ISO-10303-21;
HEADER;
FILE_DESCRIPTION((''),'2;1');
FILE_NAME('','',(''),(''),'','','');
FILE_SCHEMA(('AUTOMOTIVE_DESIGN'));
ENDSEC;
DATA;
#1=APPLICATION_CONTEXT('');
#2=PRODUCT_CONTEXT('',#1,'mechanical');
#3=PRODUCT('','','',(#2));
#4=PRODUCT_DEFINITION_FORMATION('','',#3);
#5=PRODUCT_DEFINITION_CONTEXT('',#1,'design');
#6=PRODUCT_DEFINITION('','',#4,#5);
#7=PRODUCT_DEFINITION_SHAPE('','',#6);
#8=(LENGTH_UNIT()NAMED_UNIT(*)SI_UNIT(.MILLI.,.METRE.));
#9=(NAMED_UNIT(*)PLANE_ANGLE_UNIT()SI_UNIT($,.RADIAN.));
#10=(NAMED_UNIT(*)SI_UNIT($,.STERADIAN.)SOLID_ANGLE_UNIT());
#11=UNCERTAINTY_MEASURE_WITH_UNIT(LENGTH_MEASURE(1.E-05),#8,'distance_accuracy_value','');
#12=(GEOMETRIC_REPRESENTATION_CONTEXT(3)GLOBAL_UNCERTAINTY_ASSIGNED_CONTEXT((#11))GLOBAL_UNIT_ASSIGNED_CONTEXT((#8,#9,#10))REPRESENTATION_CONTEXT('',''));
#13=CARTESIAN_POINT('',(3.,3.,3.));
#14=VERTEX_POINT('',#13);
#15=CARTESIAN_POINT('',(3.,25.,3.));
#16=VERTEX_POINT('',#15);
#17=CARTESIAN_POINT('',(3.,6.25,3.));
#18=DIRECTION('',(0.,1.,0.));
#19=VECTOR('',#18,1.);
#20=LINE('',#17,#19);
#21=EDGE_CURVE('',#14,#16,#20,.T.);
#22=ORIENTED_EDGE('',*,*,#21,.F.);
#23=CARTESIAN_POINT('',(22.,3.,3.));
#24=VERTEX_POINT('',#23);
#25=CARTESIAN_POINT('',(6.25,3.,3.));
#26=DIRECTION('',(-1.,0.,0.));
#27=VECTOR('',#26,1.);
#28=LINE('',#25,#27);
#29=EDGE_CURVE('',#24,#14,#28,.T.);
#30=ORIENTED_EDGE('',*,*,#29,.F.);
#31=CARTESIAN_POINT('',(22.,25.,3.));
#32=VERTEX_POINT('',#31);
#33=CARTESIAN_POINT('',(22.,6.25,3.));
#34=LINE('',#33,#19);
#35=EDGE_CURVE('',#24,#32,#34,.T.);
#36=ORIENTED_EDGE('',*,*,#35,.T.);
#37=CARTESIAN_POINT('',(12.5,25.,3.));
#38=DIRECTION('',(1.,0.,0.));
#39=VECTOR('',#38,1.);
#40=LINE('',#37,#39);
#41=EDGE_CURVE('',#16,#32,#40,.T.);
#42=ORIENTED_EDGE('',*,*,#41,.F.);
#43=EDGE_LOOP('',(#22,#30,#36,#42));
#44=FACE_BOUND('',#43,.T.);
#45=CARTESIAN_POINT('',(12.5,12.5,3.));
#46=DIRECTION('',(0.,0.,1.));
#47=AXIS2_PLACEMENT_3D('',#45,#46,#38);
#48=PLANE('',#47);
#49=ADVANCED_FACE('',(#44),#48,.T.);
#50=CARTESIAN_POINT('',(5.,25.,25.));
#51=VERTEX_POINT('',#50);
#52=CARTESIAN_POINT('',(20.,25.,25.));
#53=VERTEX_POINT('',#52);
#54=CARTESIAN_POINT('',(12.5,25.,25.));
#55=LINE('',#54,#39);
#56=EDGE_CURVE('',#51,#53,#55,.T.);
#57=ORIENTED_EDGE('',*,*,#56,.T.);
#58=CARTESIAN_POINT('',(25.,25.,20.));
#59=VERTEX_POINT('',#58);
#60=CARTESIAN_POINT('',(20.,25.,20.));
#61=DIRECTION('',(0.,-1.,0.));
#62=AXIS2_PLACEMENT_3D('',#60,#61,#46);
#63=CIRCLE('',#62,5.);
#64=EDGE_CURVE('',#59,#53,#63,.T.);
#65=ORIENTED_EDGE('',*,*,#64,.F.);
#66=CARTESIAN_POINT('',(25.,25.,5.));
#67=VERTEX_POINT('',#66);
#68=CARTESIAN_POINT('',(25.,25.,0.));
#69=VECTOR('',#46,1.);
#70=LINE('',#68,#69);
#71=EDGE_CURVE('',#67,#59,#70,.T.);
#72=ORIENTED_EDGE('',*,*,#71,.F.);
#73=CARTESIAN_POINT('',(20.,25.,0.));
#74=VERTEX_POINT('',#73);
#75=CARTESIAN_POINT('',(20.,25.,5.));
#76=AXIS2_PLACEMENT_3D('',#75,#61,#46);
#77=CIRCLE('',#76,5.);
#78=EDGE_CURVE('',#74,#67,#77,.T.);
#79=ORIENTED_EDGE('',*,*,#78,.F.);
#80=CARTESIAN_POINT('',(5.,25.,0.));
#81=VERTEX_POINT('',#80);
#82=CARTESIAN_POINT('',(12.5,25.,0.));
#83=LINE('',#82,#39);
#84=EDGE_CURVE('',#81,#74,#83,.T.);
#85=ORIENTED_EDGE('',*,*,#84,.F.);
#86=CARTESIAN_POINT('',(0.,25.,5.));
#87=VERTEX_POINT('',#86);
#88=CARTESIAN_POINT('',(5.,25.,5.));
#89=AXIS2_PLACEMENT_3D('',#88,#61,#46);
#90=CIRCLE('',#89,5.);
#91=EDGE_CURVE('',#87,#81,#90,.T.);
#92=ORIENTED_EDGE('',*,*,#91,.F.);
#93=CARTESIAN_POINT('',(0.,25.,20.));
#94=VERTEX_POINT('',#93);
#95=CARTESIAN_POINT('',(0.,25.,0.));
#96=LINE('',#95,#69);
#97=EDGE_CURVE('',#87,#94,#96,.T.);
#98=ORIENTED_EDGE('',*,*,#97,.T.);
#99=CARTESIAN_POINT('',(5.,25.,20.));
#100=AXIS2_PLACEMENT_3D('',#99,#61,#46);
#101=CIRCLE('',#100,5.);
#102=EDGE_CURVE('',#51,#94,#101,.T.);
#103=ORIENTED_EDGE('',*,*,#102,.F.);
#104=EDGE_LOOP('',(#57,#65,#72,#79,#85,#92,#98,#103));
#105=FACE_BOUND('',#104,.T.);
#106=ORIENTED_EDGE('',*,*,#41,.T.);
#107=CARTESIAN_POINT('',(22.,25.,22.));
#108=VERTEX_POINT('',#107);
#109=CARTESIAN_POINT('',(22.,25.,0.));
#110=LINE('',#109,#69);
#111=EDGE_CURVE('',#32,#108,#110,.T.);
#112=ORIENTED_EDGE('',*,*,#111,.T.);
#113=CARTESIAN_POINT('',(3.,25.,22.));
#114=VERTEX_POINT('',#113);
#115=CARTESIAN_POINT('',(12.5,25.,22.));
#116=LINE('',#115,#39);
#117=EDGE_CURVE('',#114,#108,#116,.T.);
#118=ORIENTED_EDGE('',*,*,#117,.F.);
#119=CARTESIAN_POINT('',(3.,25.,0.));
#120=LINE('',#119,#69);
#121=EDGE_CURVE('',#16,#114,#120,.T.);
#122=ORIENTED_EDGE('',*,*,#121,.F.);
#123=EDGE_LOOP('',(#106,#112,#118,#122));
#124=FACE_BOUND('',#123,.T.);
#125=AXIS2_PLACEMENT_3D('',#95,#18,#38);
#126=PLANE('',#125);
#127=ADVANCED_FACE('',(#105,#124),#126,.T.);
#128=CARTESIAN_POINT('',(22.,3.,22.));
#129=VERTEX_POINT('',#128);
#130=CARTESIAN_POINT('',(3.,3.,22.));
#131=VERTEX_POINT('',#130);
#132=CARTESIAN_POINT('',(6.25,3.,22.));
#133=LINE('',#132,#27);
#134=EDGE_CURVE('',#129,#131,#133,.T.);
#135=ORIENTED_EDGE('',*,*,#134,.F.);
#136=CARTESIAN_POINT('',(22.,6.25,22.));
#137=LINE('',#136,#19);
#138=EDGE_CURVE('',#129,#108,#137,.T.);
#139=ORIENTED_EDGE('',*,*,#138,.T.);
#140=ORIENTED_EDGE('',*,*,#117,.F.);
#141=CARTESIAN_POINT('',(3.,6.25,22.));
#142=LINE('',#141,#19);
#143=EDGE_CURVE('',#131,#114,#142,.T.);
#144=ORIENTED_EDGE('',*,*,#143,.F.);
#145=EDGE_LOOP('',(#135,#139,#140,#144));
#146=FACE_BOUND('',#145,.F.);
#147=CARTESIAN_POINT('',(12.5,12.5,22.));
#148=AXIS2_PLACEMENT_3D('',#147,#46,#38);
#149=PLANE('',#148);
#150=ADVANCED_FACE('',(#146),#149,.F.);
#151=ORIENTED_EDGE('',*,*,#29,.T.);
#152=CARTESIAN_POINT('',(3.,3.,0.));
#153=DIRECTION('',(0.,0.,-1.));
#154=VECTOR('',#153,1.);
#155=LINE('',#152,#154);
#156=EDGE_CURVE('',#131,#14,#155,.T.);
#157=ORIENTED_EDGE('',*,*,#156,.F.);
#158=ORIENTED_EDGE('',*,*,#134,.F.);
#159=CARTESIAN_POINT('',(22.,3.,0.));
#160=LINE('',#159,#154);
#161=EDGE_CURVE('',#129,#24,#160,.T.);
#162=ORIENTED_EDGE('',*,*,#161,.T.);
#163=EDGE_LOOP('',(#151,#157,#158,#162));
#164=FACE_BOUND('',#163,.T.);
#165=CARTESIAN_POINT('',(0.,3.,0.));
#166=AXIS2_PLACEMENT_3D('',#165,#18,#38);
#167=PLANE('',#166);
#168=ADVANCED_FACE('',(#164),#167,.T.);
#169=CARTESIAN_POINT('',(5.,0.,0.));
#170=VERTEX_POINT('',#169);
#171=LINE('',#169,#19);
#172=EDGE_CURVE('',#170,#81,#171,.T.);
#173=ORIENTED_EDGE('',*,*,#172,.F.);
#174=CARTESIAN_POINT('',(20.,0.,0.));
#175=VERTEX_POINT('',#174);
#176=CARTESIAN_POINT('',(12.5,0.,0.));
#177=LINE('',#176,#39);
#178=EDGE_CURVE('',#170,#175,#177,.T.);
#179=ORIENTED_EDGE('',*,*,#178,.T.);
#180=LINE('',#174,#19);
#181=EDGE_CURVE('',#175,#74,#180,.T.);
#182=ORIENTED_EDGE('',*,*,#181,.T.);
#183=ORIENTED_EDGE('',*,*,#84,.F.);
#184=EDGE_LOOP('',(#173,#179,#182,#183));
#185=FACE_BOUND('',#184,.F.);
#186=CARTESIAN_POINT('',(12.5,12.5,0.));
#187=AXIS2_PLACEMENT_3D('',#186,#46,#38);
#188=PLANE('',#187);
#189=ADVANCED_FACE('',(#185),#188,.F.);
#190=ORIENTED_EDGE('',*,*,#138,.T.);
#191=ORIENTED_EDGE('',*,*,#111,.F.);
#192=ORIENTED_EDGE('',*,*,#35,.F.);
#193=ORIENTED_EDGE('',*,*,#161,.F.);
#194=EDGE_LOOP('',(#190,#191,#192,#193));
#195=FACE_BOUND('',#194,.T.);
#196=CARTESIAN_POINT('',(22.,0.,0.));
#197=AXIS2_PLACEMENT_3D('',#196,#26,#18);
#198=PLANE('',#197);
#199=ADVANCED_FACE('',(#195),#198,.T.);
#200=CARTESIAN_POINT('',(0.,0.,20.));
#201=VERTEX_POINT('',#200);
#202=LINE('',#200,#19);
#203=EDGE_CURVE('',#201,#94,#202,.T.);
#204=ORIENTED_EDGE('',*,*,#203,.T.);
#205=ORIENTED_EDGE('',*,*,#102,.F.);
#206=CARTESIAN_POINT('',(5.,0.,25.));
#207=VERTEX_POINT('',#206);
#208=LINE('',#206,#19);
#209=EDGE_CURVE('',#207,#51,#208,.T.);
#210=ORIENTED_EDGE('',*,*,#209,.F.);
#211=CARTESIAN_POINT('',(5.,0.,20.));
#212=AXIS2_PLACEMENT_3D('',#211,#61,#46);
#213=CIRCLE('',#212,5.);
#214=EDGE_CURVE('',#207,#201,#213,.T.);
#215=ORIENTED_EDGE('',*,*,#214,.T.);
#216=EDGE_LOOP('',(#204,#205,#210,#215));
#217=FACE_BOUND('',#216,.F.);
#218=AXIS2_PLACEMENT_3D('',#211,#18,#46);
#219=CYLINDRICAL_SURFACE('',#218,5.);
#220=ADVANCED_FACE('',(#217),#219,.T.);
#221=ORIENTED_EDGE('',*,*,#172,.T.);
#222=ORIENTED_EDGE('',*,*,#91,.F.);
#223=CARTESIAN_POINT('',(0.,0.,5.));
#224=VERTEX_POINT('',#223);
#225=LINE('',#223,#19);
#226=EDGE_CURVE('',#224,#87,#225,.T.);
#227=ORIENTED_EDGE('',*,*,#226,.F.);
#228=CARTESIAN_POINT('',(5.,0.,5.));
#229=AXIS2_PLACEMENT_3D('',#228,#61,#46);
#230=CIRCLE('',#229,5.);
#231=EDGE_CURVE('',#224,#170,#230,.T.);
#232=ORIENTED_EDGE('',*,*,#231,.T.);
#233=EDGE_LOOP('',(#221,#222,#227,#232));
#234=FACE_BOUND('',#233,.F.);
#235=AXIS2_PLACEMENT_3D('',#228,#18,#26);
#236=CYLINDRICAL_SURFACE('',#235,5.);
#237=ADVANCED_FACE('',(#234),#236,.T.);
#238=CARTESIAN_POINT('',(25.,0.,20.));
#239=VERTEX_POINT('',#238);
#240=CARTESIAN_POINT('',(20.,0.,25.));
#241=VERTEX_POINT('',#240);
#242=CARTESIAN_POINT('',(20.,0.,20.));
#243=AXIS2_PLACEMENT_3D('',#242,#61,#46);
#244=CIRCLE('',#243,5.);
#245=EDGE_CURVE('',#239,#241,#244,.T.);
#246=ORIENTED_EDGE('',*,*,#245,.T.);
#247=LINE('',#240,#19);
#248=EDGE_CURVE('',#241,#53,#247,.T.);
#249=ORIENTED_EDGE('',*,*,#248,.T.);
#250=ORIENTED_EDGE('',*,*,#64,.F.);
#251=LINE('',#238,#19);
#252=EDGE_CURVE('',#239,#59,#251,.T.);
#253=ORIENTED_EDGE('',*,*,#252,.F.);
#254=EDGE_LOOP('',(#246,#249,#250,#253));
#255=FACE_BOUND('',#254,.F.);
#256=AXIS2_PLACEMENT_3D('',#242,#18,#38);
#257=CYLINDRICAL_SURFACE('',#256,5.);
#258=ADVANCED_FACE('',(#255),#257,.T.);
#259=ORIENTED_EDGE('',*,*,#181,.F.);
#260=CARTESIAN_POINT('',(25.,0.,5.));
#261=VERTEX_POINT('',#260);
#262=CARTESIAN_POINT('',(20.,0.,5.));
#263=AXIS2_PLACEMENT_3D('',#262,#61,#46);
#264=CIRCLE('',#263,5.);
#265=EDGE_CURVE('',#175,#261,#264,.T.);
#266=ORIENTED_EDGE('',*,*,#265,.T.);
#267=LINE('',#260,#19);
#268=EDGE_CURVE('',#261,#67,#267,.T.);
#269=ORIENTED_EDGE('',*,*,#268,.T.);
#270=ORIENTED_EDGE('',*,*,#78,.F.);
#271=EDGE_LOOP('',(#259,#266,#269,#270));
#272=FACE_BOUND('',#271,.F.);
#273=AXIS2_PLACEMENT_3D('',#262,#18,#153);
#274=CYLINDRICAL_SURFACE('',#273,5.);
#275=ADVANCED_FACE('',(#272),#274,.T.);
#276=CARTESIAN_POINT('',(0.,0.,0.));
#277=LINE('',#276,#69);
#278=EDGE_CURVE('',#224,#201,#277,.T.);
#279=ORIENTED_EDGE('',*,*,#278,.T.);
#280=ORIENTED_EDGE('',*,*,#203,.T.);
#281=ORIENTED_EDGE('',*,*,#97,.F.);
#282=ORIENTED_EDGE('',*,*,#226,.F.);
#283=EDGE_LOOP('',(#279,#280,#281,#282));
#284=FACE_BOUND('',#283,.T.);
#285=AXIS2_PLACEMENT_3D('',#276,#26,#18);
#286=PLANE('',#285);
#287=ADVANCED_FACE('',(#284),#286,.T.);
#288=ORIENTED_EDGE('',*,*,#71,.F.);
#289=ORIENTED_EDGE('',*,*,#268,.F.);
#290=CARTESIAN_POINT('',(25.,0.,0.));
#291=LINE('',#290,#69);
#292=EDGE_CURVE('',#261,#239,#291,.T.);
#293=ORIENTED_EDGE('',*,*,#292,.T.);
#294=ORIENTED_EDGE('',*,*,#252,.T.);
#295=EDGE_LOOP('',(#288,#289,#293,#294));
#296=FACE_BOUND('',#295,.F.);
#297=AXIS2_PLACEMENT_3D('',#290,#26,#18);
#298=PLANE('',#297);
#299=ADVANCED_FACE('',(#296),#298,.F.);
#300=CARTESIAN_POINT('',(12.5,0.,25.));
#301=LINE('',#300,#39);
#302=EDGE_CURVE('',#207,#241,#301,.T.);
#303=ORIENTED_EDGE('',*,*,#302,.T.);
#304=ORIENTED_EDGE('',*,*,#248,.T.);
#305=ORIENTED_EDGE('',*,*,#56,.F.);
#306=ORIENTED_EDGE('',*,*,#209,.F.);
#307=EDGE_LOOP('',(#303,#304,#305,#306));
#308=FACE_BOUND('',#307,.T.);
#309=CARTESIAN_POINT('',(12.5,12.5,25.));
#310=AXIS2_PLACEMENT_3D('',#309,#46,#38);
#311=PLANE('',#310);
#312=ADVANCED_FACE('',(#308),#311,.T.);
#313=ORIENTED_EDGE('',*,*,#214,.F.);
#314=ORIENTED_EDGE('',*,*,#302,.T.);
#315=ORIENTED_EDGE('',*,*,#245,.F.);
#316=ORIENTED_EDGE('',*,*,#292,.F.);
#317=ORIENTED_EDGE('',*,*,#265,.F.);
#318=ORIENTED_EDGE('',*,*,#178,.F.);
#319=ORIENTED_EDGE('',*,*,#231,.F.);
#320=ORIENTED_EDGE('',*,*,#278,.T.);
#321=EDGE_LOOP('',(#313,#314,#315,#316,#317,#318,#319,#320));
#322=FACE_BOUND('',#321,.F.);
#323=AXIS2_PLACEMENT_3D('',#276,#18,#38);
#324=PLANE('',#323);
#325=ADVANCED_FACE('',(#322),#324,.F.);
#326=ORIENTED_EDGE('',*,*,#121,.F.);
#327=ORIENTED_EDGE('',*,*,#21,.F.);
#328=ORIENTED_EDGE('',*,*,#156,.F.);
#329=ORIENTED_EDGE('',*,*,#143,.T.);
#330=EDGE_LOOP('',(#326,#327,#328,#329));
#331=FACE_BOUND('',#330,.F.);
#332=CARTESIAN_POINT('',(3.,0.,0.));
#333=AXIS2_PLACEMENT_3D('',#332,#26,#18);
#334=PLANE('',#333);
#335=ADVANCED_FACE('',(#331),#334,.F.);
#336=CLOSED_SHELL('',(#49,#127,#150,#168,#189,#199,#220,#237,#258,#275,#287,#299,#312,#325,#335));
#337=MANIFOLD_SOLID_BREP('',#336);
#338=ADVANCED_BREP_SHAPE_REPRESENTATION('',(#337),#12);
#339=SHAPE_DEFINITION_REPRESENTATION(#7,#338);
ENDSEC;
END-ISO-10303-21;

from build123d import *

# Parameters (mm, degrees)
F0_W     = 25
F0_H     = 25
F1_DEPTH = 25
F2_T     = -3
F3_R     = 5
F4_R     = 5
F5_R     = 5
F6_R     = 5


with BuildPart() as f1:
    # F0 (on Top) → F1 (new body)
    with BuildSketch(Plane.XY):
        with Locations((12.5, 12.5)):
            Rectangle(F0_W, F0_H)
    extrude(amount=F1_DEPTH)

    # F2
    f2_openings = [f1.faces().sort_by_distance(p)[0] for p in [
        (12.5, 25, 12.5),
    ]]
    offset(amount=F2_T, openings=f2_openings)

    # F3
    f3_edges = [f1.edges().sort_by_distance(p)[0] for p in [
        (25, 12.5, 25),
    ]]
    fillet(f3_edges, radius=F3_R)

    # F4
    f4_edges = [f1.edges().sort_by_distance(p)[0] for p in [
        (0, 12.5, 25),
    ]]
    fillet(f4_edges, radius=F4_R)

    # F5
    f5_edges = [f1.edges().sort_by_distance(p)[0] for p in [
        (0, 12.5, 0),
    ]]
    fillet(f5_edges, radius=F5_R)

    # F6
    f6_edges = [f1.edges().sort_by_distance(p)[0] for p in [
        (25, 12.5, 0),
    ]]
    fillet(f6_edges, radius=F6_R)


solid = f1.part
